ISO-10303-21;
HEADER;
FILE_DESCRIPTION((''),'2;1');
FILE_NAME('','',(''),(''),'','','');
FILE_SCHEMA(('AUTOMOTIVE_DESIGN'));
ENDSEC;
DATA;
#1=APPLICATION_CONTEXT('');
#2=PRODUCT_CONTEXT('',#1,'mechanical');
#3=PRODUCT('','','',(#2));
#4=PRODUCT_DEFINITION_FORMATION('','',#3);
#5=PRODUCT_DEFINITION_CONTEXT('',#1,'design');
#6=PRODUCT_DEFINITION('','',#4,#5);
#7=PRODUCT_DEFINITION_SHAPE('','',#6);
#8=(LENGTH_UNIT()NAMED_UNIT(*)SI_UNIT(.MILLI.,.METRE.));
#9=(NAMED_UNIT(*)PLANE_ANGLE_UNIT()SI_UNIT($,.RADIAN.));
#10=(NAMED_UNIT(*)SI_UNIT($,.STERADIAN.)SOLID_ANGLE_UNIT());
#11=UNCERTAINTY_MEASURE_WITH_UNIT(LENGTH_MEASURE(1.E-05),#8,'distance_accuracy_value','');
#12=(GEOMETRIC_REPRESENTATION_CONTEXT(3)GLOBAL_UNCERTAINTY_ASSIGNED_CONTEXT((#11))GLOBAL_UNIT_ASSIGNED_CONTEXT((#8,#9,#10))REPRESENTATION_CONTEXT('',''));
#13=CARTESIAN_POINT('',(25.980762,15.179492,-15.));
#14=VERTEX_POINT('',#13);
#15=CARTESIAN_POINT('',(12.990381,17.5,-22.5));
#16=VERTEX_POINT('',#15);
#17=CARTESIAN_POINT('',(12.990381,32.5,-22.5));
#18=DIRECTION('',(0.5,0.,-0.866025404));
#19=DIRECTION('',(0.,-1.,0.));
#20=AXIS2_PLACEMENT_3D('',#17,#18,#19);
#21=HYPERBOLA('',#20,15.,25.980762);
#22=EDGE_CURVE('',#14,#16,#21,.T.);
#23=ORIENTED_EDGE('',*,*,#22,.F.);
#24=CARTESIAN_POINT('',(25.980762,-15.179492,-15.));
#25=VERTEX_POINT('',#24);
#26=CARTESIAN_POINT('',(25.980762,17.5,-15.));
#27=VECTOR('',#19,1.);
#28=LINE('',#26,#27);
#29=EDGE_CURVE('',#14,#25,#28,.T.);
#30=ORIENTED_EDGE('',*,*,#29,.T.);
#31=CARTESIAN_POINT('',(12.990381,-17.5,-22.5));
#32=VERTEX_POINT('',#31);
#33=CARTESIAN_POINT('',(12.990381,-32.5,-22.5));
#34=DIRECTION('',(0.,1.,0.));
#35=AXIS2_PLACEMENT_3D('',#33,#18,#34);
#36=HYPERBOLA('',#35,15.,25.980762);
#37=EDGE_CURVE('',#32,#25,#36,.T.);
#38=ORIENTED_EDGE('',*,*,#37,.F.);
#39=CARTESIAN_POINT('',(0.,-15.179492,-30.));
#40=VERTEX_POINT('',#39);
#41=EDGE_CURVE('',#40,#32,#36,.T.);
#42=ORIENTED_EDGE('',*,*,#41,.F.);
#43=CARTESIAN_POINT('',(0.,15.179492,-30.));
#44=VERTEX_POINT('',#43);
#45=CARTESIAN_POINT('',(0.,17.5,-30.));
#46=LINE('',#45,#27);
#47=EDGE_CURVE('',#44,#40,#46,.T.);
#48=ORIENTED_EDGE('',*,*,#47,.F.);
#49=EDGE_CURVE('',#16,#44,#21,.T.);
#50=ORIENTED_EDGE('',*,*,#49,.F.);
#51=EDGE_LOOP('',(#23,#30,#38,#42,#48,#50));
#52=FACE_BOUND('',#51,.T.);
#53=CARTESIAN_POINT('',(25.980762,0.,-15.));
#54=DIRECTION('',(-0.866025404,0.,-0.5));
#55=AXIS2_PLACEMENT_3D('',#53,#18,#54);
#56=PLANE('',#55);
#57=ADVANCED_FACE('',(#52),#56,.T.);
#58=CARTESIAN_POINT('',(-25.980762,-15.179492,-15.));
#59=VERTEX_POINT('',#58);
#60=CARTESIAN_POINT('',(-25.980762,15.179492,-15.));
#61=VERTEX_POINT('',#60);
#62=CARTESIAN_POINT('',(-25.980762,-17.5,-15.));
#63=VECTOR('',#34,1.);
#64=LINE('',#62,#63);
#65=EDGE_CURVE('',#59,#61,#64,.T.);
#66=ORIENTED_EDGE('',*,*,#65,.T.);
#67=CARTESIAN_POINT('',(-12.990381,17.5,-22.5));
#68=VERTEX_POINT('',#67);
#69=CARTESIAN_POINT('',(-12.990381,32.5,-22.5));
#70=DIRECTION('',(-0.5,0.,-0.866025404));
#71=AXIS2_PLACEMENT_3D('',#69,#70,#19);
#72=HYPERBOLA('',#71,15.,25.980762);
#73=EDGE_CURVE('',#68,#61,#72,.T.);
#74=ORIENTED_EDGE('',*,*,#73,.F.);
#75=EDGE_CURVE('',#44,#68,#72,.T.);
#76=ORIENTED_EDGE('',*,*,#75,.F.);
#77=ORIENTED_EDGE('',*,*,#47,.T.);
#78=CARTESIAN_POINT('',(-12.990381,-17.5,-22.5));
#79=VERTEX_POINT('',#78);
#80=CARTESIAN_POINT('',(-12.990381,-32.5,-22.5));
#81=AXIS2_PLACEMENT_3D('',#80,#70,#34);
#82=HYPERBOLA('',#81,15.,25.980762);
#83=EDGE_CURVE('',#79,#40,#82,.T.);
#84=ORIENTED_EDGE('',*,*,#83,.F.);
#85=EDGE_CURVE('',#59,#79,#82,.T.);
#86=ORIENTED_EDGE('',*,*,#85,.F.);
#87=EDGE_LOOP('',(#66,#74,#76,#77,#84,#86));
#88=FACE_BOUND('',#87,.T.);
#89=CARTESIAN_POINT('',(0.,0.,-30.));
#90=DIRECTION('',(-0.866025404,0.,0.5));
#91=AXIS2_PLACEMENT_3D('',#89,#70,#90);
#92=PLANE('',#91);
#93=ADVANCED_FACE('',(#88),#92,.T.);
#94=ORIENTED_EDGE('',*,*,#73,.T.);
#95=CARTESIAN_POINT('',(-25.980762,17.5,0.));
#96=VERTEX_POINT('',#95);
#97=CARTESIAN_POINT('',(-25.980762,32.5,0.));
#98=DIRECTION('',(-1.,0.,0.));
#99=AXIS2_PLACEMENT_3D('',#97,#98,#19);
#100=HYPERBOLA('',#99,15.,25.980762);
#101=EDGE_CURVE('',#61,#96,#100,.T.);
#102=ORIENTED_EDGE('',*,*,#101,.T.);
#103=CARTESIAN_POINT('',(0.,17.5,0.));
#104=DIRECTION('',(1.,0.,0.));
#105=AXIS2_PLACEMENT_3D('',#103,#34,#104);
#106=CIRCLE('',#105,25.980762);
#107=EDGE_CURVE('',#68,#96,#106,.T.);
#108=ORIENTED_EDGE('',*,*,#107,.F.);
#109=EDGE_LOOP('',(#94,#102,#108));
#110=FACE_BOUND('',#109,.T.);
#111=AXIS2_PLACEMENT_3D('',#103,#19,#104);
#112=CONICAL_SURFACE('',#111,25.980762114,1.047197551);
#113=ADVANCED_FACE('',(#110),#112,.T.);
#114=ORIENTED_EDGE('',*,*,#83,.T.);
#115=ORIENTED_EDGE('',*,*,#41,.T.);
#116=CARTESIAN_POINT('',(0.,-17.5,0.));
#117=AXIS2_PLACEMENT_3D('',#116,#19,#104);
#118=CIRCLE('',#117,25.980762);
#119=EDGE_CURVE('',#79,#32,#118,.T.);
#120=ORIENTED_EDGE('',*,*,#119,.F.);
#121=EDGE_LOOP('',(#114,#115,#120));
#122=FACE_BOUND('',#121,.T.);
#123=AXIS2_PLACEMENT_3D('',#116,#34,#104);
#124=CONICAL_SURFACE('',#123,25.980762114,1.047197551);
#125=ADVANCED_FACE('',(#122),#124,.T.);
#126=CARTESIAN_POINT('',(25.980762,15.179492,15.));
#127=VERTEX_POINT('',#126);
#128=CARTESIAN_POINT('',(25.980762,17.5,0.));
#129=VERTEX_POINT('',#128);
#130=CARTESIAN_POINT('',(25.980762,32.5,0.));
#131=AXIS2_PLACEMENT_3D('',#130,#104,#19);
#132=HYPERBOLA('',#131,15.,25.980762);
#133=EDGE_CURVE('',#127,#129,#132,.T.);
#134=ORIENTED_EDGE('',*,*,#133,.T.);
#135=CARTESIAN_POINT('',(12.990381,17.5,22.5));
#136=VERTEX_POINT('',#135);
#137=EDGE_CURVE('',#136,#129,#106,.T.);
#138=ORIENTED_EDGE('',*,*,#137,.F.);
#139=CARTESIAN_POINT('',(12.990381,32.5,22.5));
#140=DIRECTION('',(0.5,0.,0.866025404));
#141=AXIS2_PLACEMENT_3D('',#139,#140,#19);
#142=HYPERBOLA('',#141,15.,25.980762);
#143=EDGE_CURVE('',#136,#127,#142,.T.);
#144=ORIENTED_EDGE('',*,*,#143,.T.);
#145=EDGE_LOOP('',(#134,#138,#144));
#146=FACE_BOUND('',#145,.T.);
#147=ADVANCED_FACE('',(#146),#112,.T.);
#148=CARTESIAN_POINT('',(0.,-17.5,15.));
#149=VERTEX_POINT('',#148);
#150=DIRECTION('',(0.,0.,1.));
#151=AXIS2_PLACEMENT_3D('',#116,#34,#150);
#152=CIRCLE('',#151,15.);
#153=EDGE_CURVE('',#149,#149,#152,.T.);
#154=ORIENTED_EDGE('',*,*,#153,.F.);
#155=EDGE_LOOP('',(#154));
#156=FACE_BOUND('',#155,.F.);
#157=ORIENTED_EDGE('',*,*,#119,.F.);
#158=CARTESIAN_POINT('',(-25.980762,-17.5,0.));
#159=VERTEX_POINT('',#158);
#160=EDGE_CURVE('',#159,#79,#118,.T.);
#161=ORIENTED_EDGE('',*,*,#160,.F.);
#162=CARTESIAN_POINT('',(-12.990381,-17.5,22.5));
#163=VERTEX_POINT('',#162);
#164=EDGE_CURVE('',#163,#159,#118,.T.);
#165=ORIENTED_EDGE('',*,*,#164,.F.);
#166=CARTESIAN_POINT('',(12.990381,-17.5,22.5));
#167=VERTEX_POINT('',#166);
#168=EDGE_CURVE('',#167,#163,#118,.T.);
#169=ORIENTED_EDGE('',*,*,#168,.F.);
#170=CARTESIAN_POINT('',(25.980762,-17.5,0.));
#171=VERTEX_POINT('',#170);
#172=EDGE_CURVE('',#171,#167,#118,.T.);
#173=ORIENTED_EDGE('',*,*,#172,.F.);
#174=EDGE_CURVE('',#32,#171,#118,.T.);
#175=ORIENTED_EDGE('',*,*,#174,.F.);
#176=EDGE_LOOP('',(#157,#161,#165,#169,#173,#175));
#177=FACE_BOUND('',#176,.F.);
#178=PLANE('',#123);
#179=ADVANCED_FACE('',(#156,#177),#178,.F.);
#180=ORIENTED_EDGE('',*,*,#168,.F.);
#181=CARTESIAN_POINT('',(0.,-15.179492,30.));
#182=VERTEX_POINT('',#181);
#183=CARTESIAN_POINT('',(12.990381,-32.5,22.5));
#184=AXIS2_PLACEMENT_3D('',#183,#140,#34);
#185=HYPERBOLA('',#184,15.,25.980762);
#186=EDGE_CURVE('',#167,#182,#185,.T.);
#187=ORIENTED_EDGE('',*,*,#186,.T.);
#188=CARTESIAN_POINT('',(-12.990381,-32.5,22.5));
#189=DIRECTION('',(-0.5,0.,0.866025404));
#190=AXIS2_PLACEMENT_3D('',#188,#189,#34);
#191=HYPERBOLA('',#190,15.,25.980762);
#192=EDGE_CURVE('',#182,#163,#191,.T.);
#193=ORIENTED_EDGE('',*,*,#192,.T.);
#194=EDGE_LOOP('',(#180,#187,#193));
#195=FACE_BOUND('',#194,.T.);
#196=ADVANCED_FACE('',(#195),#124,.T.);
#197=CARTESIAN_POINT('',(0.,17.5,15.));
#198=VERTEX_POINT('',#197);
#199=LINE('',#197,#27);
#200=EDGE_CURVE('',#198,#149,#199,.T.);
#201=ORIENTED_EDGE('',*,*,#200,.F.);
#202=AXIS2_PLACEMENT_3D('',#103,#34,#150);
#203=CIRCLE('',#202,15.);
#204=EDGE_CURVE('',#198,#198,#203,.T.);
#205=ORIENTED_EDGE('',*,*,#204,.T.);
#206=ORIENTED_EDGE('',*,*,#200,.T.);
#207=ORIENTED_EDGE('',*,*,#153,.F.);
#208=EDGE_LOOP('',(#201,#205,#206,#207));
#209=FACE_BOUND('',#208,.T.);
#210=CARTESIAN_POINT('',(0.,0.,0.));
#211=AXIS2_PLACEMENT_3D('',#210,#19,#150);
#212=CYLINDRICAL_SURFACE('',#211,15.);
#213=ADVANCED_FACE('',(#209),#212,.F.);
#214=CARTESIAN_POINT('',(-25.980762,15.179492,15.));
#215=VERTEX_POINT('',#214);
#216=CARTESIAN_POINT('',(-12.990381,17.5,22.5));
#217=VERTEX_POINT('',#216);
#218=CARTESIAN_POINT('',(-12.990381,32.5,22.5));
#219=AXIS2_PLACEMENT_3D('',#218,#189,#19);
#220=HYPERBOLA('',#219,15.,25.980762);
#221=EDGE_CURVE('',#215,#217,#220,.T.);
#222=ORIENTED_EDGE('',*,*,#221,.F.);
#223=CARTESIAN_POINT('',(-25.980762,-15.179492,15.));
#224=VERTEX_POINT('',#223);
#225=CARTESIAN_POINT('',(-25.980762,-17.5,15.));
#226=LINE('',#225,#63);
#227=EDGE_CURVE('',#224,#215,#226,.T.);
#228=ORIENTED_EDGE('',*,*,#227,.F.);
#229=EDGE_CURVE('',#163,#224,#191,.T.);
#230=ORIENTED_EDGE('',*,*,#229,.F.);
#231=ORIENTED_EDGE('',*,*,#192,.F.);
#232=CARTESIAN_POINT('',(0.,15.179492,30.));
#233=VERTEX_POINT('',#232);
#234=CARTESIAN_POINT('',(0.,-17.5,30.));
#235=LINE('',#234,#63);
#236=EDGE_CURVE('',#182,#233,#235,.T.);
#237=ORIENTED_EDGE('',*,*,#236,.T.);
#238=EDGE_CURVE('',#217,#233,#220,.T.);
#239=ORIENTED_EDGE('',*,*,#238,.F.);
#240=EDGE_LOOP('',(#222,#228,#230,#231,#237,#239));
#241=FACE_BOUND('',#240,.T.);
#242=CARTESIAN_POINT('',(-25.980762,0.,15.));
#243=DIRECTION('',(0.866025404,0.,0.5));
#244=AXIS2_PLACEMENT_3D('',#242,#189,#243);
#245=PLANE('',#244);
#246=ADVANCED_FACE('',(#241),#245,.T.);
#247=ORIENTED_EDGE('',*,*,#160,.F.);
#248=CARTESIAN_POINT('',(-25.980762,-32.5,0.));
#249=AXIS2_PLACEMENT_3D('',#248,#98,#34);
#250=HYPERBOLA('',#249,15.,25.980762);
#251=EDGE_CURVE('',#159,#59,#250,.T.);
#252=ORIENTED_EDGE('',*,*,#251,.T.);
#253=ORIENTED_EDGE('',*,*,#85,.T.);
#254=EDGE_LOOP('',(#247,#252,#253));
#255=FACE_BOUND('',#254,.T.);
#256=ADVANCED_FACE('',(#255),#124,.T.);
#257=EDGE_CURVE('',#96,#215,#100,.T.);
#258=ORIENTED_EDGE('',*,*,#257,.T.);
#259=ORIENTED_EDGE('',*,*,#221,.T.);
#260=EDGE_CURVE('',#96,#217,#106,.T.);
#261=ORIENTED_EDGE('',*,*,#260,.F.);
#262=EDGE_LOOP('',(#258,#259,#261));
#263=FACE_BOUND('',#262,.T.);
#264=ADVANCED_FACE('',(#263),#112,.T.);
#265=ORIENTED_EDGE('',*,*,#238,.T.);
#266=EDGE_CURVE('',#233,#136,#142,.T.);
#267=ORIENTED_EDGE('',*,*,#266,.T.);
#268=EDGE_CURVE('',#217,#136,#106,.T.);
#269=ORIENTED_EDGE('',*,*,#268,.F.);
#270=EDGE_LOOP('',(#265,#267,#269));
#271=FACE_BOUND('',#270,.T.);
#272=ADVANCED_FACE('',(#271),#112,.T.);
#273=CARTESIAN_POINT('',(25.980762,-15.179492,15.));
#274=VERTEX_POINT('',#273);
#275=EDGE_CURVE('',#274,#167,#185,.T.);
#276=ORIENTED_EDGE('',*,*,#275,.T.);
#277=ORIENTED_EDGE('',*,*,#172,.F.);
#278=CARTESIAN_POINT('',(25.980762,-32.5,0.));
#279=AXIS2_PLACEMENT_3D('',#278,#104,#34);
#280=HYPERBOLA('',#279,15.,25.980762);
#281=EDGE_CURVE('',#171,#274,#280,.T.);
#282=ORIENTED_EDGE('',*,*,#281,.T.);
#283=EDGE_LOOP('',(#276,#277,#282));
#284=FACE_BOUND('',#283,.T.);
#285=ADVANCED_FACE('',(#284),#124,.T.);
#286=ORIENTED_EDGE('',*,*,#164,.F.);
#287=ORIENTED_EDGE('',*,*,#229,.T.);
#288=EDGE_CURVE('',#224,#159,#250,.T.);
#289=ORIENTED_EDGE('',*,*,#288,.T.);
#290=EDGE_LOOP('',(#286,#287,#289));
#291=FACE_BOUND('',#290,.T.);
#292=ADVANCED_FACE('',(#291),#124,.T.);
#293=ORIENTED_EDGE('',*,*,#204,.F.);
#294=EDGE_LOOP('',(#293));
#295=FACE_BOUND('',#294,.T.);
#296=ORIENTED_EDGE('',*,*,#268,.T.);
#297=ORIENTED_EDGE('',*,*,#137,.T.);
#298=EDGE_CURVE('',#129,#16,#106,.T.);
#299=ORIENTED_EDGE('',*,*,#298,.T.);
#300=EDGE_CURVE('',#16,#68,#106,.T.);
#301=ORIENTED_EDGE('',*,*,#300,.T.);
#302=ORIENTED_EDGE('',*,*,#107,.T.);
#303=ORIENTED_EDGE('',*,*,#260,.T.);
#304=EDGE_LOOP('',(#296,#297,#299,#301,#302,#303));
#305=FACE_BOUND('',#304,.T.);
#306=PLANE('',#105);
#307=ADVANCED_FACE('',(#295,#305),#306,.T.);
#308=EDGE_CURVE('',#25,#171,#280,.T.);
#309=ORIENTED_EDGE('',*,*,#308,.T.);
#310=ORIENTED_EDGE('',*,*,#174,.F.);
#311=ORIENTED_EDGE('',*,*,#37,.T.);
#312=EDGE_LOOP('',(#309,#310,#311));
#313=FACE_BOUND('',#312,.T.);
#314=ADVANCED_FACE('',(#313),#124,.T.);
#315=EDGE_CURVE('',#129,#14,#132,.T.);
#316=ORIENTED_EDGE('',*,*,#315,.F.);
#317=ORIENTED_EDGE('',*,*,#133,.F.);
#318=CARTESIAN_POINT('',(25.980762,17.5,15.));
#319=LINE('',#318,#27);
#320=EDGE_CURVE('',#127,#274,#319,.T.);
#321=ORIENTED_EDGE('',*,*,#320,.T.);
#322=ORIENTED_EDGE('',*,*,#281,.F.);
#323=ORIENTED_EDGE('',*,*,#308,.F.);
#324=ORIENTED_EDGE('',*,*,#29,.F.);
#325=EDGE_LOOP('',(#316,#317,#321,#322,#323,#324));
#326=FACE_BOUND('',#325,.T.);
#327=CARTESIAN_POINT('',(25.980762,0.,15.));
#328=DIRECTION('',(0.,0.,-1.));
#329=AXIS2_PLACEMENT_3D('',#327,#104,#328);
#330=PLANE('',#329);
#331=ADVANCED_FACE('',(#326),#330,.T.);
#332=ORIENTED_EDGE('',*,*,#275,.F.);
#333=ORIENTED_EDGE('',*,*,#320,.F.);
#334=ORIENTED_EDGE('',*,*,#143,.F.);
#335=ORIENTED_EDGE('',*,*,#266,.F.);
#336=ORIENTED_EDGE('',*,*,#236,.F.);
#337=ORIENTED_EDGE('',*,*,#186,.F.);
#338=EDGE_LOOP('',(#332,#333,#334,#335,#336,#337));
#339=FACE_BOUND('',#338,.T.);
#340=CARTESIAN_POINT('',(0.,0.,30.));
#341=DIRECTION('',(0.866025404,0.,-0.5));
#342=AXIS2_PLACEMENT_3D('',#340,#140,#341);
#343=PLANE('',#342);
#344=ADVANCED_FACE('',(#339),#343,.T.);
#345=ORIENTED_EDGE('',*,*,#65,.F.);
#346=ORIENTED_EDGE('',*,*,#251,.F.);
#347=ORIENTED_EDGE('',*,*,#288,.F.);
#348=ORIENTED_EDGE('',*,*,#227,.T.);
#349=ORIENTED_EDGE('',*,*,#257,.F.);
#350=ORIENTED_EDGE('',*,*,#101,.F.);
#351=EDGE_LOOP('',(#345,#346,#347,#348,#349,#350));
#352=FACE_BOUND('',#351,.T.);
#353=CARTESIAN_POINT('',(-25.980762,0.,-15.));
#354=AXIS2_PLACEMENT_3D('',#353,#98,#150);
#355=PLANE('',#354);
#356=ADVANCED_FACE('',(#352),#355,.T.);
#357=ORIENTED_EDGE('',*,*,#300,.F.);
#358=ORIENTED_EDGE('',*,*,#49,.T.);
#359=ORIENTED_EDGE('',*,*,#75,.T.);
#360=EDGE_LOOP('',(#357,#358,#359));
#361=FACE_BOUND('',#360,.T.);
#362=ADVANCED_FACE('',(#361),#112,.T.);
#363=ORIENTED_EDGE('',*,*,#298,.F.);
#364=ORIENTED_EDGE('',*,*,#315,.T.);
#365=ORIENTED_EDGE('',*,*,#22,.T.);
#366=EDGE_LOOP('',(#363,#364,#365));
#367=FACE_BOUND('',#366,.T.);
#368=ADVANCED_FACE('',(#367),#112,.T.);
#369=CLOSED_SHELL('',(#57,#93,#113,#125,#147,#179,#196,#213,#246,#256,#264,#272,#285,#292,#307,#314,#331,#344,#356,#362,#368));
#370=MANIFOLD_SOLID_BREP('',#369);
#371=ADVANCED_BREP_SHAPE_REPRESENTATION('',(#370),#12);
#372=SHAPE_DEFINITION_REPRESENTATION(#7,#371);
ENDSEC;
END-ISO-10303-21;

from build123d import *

# Parameters (mm, degrees)
SKETCH1_R                    = 15
BOSS_EXTRUDE1_DEPTH          = 17.5
SKETCH2_OUTSIDE_W            = 192.554
SKETCH2_OUTSIDE_H            = 200.592
SKETCH2_OUTSIDE_R            = 25.980762114
CUT_EXTRUDE1_DEPTH           = 17.5
CUT_EXTRUDE1_TAPER           = 60
CUT_EXTRUDE1_OTHER_WAY_DEPTH = 17.5
CUT_EXTRUDE1_OTHER_WAY_DRAFT = -60
MIRROR1_COPY_1_SKETCH_W      = 192.554
MIRROR1_COPY_1_SKETCH_H      = 200.592
MIRROR1_COPY_1_SKETCH_R      = 25.980762114
MIRROR1_COPY_1_DEPTH         = 17.5
MIRROR1_COPY_1_DRAFT         = -60
MIRROR1_COPY_2_SKETCH_W      = 192.554
MIRROR1_COPY_2_SKETCH_H      = 200.592
MIRROR1_COPY_2_SKETCH_R      = 25.980762114
MIRROR1_COPY_2_DEPTH         = 17.5
MIRROR1_COPY_2_DRAFT         = -60


with BuildPart() as part:
    # Sketch1 → Boss-Extrude1 (new, symmetric)
    with BuildSketch(Plane(origin=(0, 0, 0), x_dir=(1, 0, 0), z_dir=(0, 1, 0))):
        Polygon((0, 30), (-25.980762114, 15), (-25.980762114, -15), (0, -30), (25.980762114, -15), (25.980762114, 15), align=None)
        with Locations(Location((0, 0, 0), (0, 0, 270))):
            Circle(SKETCH1_R, mode=Mode.SUBTRACT)
    extrude(amount=BOSS_EXTRUDE1_DEPTH, both=True)

    # Sketch2 outside → Cut-Extrude1 (cut)
    with BuildSketch(Plane(origin=(0, 17.5, 0), x_dir=(1, 0, 0), z_dir=(0, 1, 0))):
        Rectangle(SKETCH2_OUTSIDE_W, SKETCH2_OUTSIDE_H)
        Circle(SKETCH2_OUTSIDE_R, mode=Mode.SUBTRACT)
    cut_extrude1 = extrude(amount=CUT_EXTRUDE1_DEPTH, taper=CUT_EXTRUDE1_TAPER, mode=Mode.SUBTRACT)


with BuildPart() as cut_extrude1_other_way_tool:
    # Sketch2 outside → Cut-Extrude1 other way (with draft: the straight prism first)
    with BuildSketch(Plane(origin=(0, 17.5, 0), x_dir=(1, 0, 0), z_dir=(0, 1, 0))):
        Rectangle(SKETCH2_OUTSIDE_W, SKETCH2_OUTSIDE_H)
        Circle(SKETCH2_OUTSIDE_R, mode=Mode.SUBTRACT)
    extrude(amount=-CUT_EXTRUDE1_OTHER_WAY_DEPTH)
    # Cut-Extrude1 other way: the draft: its side faces are tilted about the plane it starts from
    cut_extrude1_other_way_sides = [cut_extrude1_other_way_tool.faces().sort_by_distance(p)[0] for p in [
        (0, 8.75, 100.296),
        (96.277, 8.75, 0),
        (0, 8.75, -100.296),
        (-96.277, 8.75, 0),
        (-25.980762114, 8.75, 0),
    ]]
    draft(cut_extrude1_other_way_sides, Plane(origin=(0, 17.5, 0), x_dir=(1, 0, 0), z_dir=(0, 1, 0)), CUT_EXTRUDE1_OTHER_WAY_DRAFT)


with BuildPart() as part_1:
    add(part.part)

    # Cut-Extrude1 other way: cut by cut_extrude1_other_way_tool
    add(cut_extrude1_other_way_tool.part, mode=Mode.SUBTRACT)

    # Mirror1: Cut-Extrude1 across plane
    add(cut_extrude1.mirror(Plane.ZX), mode=Mode.SUBTRACT)


with BuildPart() as mirror1_copy_1_tool:
    # Mirror1 copy 1 sketch → Mirror1 copy 1 (with draft: the straight prism first)
    with BuildSketch(Plane.XZ.offset(17.5)):
        Rectangle(MIRROR1_COPY_1_SKETCH_W, MIRROR1_COPY_1_SKETCH_H)
        Circle(MIRROR1_COPY_1_SKETCH_R, mode=Mode.SUBTRACT)
    extrude(amount=-MIRROR1_COPY_1_DEPTH)
    # Mirror1 copy 1: the draft: its side faces are tilted about the plane it starts from
    mirror1_copy_1_sides = [mirror1_copy_1_tool.faces().sort_by_distance(p)[0] for p in [
        (0, -8.75, 100.296),
        (96.277, -8.75, 0),
        (0, -8.75, -100.296),
        (-96.277, -8.75, 0),
        (-25.980762114, -8.75, 0),
    ]]
    draft(mirror1_copy_1_sides, Plane.XZ.offset(17.5), MIRROR1_COPY_1_DRAFT)


with BuildPart() as part_2:
    add(part_1.part)

    # Mirror1 copy 1: cut by mirror1_copy_1_tool
    add(mirror1_copy_1_tool.part, mode=Mode.SUBTRACT)


with BuildPart() as mirror1_copy_2_tool:
    # Mirror1 copy 2 sketch → Mirror1 copy 2 (with draft: the straight prism first)
    with BuildSketch(Plane.XZ.offset(17.5)):
        Rectangle(MIRROR1_COPY_2_SKETCH_W, MIRROR1_COPY_2_SKETCH_H)
        Circle(MIRROR1_COPY_2_SKETCH_R, mode=Mode.SUBTRACT)
    extrude(amount=-MIRROR1_COPY_2_DEPTH)
    # Mirror1 copy 2: the draft: its side faces are tilted about the plane it starts from
    mirror1_copy_2_sides = [mirror1_copy_2_tool.faces().sort_by_distance(p)[0] for p in [
        (0, -8.75, 100.296),
        (96.277, -8.75, 0),
        (0, -8.75, -100.296),
        (-96.277, -8.75, 0),
        (-25.980762114, -8.75, 0),
    ]]
    draft(mirror1_copy_2_sides, Plane.XZ.offset(17.5), MIRROR1_COPY_2_DRAFT)


with BuildPart() as part_3:
    add(part_2.part)

    # Mirror1 copy 2: cut by mirror1_copy_2_tool
    add(mirror1_copy_2_tool.part, mode=Mode.SUBTRACT)


solid = part_3.part
